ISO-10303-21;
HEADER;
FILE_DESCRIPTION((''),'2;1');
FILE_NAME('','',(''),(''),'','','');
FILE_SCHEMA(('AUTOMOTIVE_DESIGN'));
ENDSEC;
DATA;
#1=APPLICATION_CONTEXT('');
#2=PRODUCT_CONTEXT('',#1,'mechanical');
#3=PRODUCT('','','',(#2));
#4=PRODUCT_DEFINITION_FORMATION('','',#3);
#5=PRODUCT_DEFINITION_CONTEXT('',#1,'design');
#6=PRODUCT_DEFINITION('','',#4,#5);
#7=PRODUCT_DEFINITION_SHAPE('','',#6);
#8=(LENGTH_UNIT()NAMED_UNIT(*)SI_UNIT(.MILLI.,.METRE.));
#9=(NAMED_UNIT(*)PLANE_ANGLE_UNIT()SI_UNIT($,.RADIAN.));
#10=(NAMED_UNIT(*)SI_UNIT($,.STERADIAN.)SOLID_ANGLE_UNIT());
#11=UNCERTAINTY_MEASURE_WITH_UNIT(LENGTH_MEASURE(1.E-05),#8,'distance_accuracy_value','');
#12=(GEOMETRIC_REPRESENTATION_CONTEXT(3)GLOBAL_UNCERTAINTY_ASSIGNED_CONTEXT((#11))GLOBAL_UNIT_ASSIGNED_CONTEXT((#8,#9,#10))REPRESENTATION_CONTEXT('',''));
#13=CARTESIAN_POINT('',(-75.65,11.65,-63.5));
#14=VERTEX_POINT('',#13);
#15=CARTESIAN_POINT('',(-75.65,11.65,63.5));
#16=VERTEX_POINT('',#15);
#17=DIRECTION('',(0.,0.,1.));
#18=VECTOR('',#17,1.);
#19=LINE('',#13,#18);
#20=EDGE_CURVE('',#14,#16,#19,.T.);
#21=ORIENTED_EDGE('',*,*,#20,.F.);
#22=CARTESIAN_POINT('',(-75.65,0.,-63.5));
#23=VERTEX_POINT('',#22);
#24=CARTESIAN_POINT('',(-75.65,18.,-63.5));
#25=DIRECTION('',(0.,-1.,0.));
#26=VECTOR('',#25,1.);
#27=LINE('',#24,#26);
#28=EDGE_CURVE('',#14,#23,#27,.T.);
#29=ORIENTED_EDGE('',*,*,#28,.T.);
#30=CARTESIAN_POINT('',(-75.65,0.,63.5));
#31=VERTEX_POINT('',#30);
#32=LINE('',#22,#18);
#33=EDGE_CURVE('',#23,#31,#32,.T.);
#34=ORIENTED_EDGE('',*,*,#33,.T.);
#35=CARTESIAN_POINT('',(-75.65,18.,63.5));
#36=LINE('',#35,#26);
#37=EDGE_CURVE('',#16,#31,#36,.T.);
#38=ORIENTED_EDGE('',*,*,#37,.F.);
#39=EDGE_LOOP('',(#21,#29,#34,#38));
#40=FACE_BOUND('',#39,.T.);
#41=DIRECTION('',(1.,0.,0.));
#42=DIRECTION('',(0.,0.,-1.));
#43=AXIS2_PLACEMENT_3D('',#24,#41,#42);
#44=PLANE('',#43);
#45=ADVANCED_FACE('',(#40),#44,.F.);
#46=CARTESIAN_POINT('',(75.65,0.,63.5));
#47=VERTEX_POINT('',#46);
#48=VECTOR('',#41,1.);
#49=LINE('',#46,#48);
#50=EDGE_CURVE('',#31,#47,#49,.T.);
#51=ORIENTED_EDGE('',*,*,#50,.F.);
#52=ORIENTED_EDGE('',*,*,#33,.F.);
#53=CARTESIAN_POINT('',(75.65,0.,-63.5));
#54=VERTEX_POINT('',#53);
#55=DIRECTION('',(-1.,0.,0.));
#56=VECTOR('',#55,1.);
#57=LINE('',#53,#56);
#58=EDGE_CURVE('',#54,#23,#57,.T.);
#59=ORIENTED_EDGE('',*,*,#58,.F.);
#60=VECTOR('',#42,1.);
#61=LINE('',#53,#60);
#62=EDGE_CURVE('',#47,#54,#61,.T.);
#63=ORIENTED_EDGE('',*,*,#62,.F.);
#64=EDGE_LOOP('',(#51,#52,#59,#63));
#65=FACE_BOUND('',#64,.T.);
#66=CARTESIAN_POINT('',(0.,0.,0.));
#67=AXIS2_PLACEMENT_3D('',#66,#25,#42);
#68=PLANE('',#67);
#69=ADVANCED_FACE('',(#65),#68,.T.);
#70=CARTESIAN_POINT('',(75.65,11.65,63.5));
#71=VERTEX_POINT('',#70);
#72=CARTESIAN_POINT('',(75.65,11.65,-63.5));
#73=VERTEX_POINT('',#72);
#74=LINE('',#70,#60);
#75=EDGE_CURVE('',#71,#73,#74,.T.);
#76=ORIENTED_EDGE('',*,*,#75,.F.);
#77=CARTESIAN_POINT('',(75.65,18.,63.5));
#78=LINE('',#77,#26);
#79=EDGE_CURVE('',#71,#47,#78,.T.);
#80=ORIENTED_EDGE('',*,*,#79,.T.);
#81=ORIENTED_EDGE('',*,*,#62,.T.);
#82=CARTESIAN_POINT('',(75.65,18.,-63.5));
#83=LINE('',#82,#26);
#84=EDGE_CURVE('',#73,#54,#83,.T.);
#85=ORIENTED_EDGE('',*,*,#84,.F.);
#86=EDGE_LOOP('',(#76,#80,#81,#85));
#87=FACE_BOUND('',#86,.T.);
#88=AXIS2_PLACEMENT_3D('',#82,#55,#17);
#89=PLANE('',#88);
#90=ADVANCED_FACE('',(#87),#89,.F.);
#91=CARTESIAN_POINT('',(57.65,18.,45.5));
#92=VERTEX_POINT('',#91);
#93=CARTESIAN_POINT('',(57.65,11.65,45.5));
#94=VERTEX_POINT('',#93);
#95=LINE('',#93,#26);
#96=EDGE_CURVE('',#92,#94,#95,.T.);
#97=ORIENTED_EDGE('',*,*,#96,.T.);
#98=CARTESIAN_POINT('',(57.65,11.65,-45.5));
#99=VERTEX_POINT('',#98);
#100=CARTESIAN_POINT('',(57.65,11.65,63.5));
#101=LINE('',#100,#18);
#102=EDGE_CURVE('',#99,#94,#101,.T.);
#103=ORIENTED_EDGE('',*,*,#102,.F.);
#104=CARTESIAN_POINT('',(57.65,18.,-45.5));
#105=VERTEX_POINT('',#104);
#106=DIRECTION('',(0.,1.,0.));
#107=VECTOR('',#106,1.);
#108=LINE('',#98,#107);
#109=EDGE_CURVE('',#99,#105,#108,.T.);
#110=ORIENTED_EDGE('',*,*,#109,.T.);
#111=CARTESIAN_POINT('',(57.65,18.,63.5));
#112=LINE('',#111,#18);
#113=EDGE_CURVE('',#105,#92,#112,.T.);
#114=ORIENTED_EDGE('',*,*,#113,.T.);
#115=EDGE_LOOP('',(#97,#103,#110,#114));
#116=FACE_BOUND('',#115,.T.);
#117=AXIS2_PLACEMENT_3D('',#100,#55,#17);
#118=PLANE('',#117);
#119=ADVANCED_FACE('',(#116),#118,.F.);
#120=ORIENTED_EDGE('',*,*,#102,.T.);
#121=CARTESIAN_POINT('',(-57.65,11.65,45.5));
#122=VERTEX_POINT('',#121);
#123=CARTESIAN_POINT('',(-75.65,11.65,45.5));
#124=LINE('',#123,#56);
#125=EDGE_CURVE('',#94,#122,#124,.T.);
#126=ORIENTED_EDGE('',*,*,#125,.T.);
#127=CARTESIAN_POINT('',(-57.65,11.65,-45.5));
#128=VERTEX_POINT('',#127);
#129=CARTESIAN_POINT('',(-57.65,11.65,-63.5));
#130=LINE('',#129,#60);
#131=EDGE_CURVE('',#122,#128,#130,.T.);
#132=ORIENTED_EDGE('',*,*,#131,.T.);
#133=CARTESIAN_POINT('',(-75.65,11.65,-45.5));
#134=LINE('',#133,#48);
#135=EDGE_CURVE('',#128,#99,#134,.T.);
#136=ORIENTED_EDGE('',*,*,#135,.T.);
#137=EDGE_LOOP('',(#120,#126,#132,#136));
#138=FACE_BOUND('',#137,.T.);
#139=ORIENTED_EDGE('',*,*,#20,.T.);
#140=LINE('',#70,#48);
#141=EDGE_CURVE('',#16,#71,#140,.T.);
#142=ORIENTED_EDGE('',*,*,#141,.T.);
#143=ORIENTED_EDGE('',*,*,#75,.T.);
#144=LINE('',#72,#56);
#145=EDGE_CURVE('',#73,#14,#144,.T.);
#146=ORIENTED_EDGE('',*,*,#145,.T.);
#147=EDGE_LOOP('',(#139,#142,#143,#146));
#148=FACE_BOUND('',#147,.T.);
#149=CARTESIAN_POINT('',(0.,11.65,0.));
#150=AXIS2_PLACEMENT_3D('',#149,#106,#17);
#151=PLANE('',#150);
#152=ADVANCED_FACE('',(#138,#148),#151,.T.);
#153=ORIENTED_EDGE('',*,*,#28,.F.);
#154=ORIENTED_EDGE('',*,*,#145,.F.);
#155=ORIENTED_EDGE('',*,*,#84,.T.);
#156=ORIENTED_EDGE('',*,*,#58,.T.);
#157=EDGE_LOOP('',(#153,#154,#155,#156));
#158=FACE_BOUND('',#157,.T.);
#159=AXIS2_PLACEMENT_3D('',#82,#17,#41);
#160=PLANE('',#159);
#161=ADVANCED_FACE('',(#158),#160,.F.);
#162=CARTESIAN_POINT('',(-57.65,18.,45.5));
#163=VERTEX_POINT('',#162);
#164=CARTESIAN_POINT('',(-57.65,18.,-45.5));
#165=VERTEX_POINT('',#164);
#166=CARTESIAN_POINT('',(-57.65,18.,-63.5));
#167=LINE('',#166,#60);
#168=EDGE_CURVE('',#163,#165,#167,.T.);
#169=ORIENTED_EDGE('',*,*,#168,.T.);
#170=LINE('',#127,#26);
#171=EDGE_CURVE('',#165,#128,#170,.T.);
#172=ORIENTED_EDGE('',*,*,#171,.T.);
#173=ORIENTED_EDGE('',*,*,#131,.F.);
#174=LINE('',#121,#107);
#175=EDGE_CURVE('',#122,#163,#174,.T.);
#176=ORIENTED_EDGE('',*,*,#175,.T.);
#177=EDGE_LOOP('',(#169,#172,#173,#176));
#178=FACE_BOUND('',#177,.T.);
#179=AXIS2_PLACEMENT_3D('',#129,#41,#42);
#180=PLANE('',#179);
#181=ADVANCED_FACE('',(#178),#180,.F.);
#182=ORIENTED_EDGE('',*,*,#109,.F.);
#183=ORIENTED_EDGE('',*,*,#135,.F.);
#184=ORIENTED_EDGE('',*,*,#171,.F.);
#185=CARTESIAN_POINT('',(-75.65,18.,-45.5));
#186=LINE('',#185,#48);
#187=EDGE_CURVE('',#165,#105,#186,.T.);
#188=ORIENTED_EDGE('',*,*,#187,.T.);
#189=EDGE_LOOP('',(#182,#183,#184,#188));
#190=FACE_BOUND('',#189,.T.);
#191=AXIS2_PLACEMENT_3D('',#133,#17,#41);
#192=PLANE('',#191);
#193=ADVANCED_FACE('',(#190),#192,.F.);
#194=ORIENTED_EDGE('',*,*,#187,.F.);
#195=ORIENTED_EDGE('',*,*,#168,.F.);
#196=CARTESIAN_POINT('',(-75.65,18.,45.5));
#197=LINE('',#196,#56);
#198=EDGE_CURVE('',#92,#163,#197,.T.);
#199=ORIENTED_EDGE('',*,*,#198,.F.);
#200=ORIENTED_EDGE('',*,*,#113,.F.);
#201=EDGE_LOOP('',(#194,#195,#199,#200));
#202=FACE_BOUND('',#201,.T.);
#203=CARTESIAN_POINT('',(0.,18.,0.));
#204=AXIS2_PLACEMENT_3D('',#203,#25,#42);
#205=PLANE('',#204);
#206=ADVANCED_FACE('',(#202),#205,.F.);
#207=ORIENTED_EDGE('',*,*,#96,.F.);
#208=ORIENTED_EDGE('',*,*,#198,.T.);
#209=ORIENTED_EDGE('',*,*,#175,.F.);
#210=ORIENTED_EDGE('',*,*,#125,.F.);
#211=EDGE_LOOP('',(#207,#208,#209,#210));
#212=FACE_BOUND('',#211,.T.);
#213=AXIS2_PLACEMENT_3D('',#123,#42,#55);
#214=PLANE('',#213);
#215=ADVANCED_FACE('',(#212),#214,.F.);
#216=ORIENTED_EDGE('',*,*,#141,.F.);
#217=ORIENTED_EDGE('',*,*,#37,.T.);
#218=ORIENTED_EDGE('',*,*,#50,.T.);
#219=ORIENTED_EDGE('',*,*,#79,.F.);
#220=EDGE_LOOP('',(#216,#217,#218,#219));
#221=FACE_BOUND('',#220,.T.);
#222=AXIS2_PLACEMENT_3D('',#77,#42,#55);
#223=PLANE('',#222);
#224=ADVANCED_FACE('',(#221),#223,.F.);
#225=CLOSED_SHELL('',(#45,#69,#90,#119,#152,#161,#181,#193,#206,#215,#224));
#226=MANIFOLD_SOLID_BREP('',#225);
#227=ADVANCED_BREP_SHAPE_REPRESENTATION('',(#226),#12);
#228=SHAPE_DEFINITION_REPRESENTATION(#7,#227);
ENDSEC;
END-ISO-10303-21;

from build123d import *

# Parameters (mm, degrees)
SKETCH1_W           = 151.3
SKETCH1_H           = 127
BOSS_EXTRUDE1_DEPTH = 18
SKETCH3_W           = 18
SKETCH3_H           = 127
CUT_EXTRUDE2_DEPTH  = 6.35
SKETCH2_W           = 151.3
SKETCH2_H           = 18
CUT_EXTRUDE3_DEPTH  = 6.35


with BuildPart() as part:
    # Sketch1 → Boss-Extrude1 (new body)
    with BuildSketch(Plane(origin=(0, 0, 0), x_dir=(1, 0, 0), z_dir=(0, 1, 0))):
        Rectangle(SKETCH1_W, SKETCH1_H)
    extrude(amount=BOSS_EXTRUDE1_DEPTH)

    # Sketch3 → Cut-Extrude2 (cut)
    with BuildSketch(Plane(origin=(0, 18, 0), x_dir=(1, 0, 0), z_dir=(0, 1, 0))):
        with Locations((66.65, 0)):
            Rectangle(SKETCH3_W, SKETCH3_H)
        with Locations((-66.65, 0)):
            Rectangle(SKETCH3_W, SKETCH3_H)
    extrude(amount=-CUT_EXTRUDE2_DEPTH, mode=Mode.SUBTRACT)

    # Sketch2 → Cut-Extrude3 (cut)
    with BuildSketch(Plane(origin=(0, 18, 0), x_dir=(1, 0, 0), z_dir=(0, 1, 0))):
        with Locations((0, -54.5)):
            Rectangle(SKETCH2_W, SKETCH2_H)
        with Locations((0, 54.5)):
            Rectangle(SKETCH2_W, SKETCH2_H)
    extrude(amount=-CUT_EXTRUDE3_DEPTH, mode=Mode.SUBTRACT)


solid = part.part
